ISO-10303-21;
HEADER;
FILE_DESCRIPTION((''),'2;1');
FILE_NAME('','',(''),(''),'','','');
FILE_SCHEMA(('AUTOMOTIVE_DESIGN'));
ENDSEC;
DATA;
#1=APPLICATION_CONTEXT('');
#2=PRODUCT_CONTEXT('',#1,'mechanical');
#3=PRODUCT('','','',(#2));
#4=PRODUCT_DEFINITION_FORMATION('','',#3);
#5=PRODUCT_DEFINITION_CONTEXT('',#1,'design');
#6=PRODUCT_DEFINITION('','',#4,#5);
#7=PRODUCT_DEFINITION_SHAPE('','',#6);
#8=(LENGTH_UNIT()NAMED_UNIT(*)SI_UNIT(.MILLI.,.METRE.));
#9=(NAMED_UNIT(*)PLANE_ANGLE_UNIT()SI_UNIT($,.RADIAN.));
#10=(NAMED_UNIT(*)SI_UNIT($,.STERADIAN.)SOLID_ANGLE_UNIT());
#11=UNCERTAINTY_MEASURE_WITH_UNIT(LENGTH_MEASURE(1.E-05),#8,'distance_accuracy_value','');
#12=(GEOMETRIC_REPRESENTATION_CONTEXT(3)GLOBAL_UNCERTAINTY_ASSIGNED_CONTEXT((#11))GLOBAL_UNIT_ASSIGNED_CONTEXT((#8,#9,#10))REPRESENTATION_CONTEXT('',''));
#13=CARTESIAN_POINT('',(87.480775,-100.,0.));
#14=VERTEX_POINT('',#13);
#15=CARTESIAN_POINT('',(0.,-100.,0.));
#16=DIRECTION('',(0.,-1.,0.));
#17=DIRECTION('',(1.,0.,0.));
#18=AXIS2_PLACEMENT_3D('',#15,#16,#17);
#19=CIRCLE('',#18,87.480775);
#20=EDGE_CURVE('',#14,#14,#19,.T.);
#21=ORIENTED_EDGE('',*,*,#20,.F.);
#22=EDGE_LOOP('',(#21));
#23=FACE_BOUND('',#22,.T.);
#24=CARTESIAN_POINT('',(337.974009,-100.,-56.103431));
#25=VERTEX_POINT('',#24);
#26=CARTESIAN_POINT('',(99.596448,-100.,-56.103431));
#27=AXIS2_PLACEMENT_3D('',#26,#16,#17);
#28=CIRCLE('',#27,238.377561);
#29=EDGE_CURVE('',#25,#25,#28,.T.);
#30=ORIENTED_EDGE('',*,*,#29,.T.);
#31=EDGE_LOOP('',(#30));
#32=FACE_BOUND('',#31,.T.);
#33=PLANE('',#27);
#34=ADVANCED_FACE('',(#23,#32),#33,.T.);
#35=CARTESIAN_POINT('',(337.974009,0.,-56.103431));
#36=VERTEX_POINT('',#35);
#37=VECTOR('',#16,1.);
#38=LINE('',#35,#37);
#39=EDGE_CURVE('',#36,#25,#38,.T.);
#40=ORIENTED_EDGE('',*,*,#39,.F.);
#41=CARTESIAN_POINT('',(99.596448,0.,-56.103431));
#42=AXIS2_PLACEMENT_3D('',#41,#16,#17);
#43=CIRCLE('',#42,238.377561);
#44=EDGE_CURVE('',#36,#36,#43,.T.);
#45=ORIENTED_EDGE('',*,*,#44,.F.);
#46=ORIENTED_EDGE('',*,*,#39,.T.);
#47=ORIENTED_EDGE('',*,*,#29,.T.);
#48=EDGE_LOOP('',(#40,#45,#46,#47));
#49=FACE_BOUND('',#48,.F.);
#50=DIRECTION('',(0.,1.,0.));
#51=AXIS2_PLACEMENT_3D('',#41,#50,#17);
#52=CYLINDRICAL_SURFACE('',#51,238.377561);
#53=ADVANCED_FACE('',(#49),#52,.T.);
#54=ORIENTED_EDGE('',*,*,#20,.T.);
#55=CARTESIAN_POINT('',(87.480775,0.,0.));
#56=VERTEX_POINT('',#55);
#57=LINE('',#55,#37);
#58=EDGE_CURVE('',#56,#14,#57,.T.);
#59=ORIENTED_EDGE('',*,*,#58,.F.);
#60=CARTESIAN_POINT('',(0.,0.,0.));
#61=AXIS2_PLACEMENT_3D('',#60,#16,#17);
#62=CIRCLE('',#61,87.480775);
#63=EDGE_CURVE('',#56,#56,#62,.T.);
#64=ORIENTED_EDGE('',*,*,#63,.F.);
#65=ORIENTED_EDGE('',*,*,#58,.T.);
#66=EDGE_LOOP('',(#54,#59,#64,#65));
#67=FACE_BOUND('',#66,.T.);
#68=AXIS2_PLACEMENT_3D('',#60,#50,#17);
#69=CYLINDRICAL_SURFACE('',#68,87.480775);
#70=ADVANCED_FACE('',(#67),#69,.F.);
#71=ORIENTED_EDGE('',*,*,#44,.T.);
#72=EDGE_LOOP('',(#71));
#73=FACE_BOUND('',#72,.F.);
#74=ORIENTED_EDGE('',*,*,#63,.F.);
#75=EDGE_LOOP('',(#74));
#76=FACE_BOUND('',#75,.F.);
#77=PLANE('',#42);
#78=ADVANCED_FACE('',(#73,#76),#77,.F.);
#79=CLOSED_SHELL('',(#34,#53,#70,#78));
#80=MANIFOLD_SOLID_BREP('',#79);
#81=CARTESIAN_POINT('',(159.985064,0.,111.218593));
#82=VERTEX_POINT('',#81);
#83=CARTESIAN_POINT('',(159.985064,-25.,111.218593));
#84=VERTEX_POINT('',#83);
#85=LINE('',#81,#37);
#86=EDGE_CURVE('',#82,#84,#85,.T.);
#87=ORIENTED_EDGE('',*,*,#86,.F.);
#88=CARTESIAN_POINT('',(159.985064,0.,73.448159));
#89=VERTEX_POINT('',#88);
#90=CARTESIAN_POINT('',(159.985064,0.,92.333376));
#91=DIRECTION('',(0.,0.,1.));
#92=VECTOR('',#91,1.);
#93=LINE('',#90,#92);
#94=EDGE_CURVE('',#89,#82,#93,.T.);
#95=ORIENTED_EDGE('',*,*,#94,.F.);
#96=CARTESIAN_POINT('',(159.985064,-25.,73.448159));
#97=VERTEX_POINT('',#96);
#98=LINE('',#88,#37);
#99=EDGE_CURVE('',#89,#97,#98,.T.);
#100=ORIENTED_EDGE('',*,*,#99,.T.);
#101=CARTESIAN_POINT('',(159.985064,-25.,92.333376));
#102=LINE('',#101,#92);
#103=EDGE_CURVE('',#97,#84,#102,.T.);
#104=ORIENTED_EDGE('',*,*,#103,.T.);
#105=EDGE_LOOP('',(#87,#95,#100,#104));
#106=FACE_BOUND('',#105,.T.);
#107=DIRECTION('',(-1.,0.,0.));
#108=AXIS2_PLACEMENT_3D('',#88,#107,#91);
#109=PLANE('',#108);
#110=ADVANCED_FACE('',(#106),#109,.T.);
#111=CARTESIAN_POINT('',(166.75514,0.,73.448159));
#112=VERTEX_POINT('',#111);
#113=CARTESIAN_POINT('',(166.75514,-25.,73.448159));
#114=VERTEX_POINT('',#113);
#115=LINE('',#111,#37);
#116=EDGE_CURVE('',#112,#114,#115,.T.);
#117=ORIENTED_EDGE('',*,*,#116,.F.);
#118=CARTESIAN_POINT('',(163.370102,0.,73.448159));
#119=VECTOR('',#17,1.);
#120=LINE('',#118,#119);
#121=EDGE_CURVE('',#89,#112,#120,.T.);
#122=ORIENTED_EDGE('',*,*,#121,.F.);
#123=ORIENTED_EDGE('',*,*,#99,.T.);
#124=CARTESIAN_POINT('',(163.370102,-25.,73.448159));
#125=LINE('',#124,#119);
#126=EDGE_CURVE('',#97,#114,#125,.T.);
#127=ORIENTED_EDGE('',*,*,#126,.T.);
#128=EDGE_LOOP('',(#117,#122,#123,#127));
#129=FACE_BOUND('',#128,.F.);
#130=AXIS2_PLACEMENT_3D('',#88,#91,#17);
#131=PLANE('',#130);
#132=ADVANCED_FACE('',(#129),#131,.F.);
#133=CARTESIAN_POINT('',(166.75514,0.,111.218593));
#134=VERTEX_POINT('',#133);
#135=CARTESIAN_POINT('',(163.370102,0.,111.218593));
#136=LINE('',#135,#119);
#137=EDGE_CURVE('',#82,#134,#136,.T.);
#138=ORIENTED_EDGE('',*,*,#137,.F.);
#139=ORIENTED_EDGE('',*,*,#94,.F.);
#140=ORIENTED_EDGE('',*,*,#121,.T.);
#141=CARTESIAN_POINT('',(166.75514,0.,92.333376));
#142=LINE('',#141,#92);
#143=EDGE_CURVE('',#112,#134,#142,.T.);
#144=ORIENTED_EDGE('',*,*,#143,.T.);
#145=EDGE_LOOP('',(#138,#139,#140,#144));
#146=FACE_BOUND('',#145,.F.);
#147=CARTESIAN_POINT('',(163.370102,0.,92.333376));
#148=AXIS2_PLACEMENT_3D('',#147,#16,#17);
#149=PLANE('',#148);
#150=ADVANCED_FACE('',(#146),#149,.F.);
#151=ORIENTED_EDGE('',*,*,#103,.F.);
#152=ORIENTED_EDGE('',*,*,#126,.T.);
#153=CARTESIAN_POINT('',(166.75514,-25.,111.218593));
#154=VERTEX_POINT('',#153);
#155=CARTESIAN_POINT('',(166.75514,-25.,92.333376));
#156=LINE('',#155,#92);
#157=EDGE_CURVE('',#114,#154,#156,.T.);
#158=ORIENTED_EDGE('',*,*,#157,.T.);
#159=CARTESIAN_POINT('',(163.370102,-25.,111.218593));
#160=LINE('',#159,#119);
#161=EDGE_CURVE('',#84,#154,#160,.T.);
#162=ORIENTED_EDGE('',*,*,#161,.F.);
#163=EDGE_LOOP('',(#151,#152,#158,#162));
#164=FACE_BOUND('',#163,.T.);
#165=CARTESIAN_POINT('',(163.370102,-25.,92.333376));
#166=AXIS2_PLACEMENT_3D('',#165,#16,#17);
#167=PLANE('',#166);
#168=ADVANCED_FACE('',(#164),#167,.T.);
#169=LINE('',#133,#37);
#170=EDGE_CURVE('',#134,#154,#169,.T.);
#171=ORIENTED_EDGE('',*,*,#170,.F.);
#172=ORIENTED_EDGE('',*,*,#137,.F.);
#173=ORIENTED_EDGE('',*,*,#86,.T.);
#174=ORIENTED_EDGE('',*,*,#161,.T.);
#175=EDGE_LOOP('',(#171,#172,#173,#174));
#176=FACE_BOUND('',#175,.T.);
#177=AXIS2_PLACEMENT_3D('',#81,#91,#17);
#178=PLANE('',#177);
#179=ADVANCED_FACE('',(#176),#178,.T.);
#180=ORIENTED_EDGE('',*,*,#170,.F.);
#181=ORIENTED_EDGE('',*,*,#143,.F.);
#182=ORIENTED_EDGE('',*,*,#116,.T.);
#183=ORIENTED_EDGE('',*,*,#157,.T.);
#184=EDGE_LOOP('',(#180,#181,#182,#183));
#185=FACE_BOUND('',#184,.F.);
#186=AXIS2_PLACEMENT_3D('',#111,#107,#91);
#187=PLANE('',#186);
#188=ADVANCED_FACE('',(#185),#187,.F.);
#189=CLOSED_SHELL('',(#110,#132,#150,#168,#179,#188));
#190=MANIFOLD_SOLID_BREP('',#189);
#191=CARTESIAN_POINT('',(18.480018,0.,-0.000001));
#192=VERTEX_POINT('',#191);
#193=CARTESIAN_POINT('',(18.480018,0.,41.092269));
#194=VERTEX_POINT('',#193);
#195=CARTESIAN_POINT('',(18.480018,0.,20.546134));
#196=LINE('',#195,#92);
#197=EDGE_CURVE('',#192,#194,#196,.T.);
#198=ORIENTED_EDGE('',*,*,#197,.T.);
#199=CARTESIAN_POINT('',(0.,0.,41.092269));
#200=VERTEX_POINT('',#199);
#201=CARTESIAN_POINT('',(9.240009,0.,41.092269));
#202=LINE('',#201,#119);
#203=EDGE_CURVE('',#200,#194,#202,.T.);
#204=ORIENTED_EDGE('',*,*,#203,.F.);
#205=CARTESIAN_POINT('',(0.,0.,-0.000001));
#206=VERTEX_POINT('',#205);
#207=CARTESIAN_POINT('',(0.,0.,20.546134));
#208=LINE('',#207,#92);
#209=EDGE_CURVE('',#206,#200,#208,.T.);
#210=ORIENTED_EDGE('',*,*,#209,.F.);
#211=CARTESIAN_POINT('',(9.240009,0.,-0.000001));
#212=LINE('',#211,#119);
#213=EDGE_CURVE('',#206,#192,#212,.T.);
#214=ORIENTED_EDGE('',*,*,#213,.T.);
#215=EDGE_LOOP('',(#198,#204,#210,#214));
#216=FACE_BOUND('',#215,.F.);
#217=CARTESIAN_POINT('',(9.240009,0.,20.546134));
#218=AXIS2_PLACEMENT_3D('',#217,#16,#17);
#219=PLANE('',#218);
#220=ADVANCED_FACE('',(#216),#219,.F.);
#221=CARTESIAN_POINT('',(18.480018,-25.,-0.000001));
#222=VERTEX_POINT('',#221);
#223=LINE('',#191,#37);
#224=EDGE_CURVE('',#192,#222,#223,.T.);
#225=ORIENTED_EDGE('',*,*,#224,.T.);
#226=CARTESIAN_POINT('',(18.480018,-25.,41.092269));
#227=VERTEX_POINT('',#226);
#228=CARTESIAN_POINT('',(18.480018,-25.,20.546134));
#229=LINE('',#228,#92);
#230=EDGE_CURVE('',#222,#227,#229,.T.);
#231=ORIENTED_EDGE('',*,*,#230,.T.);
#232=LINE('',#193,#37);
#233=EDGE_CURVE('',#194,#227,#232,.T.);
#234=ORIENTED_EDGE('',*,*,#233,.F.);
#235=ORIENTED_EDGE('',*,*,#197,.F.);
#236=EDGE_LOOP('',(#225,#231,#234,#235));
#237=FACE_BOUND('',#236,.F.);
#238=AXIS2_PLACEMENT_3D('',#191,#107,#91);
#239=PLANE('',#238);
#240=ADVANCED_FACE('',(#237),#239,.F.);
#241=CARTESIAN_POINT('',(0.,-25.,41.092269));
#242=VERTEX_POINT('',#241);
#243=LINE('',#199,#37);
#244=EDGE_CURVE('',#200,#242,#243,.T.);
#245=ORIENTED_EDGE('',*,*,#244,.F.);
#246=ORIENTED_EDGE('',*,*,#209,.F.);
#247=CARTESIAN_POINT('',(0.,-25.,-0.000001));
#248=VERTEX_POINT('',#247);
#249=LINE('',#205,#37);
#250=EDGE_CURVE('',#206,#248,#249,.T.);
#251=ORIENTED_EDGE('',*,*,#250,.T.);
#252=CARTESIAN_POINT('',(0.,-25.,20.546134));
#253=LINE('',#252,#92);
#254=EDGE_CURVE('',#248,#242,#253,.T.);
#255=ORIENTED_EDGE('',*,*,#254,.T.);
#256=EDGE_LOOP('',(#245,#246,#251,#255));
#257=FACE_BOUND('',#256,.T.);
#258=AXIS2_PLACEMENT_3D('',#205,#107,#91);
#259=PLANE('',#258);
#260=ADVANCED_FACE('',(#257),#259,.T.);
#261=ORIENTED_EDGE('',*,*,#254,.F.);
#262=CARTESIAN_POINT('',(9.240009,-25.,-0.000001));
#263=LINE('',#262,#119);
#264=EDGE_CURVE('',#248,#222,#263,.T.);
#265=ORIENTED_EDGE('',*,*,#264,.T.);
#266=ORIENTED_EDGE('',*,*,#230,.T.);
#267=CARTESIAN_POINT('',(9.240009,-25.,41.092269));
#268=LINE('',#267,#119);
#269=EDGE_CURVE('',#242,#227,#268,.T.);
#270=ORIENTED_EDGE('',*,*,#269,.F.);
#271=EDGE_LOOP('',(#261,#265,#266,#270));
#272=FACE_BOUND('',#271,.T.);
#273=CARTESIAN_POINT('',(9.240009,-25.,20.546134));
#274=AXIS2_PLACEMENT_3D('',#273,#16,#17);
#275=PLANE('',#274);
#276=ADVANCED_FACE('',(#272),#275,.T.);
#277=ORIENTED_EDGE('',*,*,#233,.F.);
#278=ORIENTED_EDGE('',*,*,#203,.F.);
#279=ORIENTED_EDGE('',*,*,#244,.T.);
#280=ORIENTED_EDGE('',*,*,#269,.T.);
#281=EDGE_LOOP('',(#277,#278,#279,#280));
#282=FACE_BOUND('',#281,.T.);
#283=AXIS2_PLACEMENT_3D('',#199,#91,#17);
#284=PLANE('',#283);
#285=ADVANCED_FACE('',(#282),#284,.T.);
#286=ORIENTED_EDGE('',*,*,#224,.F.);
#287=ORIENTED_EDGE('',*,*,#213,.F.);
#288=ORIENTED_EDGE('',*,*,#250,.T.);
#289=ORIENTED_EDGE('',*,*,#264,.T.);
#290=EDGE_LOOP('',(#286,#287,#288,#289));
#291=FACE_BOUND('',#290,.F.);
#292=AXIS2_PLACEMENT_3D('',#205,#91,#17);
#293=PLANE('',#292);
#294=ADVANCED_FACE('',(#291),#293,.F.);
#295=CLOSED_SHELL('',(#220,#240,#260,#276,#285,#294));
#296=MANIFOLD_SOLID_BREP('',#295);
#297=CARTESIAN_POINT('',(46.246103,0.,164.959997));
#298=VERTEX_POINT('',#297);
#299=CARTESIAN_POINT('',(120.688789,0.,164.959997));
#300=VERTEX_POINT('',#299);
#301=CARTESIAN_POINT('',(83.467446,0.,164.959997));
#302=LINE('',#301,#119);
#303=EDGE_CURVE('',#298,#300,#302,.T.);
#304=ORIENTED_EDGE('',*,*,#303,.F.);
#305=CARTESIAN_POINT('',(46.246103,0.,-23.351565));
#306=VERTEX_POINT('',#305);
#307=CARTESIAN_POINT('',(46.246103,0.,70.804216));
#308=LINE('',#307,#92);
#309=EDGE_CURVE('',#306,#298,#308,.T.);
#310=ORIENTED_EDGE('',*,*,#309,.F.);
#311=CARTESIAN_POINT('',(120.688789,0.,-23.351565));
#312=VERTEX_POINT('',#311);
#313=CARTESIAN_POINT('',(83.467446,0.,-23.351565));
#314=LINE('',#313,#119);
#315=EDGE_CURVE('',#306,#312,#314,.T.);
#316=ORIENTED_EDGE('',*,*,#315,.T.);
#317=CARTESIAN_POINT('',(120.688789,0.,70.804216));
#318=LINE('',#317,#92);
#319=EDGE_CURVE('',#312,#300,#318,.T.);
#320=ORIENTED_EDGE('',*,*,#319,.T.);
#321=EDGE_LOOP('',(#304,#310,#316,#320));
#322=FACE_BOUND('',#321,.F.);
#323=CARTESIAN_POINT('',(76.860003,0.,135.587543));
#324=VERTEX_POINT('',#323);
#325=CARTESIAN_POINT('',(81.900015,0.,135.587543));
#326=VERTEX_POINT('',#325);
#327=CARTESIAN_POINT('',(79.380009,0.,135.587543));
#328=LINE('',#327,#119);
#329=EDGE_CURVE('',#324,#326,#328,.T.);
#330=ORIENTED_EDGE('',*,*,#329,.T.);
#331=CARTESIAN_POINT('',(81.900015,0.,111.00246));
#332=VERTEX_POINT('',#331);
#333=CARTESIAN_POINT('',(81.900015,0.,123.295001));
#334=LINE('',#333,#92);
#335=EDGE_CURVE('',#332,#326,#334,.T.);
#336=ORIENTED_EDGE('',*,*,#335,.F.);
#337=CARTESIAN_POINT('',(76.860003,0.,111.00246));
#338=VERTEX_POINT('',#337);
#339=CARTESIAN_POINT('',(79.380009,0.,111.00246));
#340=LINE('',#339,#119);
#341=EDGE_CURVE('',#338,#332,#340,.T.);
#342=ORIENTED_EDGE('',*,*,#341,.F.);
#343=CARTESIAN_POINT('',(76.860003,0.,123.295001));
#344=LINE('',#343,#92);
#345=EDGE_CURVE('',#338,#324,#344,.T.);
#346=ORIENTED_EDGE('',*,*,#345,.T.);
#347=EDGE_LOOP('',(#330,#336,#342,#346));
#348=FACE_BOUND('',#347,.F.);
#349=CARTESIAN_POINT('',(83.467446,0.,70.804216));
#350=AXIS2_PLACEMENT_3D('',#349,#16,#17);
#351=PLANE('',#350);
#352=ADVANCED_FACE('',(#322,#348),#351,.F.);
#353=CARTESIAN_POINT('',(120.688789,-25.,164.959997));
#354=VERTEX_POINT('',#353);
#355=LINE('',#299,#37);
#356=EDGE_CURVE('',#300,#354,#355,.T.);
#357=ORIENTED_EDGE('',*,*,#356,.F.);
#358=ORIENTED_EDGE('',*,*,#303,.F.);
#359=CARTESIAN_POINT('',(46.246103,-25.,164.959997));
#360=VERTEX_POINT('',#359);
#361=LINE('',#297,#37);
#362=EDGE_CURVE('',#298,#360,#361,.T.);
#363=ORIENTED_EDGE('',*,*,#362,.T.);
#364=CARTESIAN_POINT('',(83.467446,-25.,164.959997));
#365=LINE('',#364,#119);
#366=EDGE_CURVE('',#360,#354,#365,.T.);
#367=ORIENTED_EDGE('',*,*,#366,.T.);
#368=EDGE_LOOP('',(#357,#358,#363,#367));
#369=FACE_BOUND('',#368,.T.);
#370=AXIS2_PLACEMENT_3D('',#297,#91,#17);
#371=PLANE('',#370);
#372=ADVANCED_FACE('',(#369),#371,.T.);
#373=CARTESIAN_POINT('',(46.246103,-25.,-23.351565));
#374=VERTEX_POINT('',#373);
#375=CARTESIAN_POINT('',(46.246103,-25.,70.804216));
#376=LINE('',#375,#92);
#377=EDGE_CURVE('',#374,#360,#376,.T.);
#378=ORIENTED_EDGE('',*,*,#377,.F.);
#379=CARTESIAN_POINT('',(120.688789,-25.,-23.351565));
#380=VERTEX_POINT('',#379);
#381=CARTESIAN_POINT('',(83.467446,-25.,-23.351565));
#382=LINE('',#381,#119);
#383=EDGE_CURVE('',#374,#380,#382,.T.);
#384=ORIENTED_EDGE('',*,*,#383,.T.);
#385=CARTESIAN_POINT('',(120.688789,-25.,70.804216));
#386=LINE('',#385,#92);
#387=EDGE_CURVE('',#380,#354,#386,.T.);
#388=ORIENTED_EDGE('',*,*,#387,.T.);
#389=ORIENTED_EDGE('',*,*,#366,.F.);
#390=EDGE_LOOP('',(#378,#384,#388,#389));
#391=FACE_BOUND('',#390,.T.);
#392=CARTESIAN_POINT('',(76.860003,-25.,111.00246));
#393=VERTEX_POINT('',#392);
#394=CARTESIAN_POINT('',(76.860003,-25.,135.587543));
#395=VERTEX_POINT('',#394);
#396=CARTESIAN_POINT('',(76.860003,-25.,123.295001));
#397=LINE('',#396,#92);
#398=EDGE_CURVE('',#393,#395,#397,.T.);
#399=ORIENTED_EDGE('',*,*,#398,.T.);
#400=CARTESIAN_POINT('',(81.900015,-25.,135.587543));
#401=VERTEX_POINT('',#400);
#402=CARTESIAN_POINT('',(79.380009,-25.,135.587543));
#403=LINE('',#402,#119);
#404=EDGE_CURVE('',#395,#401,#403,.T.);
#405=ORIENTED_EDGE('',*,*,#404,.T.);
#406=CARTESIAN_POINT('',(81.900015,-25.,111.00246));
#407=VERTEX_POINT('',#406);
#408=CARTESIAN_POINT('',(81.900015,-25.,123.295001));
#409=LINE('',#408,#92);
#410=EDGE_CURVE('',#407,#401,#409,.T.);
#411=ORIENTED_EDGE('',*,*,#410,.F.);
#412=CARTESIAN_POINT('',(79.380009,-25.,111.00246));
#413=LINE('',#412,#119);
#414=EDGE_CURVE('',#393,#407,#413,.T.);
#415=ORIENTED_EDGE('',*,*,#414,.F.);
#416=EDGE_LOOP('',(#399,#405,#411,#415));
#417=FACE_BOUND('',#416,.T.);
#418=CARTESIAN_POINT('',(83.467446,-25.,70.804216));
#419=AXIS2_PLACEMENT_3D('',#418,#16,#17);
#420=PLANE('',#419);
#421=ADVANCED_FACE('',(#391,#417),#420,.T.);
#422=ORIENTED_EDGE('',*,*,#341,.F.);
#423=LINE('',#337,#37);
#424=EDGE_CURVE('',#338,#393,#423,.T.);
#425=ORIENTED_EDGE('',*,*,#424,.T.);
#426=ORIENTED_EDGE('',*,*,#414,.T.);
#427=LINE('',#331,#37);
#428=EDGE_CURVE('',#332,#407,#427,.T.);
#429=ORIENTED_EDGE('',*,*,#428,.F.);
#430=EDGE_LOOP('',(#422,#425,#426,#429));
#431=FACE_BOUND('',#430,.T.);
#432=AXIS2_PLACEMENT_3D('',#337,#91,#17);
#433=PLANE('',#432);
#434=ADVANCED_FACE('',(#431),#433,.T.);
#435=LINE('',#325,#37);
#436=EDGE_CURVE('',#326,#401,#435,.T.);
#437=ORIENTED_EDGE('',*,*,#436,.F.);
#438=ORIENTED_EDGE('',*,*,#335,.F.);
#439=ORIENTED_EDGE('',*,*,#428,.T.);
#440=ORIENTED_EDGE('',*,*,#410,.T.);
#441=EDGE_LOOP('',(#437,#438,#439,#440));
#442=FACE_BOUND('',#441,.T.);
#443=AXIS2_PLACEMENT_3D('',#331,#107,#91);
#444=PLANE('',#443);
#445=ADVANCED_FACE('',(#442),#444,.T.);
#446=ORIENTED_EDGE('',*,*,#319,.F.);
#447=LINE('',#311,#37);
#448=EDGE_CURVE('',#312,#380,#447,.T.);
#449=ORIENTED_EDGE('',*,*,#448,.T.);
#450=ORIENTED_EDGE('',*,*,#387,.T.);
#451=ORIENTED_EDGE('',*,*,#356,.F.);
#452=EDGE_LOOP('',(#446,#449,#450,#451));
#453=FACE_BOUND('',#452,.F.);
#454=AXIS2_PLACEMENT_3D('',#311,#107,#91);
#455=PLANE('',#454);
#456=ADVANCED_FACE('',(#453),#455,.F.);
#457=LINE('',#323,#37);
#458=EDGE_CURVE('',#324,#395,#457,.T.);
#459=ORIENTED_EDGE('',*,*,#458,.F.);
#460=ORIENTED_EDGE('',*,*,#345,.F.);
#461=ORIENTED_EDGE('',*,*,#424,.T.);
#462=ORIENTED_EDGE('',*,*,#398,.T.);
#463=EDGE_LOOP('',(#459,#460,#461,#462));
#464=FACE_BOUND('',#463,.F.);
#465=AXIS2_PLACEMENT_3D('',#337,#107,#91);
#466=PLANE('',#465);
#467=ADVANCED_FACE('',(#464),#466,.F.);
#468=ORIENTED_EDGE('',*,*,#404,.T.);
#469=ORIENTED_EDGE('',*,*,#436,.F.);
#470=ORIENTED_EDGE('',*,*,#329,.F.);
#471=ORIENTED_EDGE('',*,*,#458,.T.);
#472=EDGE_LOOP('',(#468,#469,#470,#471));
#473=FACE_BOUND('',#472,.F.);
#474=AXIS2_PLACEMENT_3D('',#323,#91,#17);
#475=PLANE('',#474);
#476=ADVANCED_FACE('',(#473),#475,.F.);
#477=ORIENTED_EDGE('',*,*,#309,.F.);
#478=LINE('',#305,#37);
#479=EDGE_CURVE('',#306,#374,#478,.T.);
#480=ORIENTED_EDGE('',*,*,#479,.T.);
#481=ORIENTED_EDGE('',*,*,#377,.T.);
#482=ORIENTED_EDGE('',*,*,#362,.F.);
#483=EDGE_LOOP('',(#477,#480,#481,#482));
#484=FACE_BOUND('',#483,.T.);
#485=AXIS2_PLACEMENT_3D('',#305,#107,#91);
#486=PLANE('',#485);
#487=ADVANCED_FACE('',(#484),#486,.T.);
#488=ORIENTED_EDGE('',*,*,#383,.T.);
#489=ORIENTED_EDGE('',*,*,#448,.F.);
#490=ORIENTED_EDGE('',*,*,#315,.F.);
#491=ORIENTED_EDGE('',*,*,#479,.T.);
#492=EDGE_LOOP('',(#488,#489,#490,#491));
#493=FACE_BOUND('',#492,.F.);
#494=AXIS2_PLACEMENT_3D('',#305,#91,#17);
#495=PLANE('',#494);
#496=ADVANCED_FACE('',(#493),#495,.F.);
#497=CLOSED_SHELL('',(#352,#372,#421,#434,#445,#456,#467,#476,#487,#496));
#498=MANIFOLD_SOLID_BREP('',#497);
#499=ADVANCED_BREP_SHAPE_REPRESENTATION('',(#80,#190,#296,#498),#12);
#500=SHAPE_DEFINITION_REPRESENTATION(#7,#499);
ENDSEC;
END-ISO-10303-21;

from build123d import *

# Parameters (mm, degrees)
F0_W     = 18.480018
F0_H     = 41.092269
F0_W_2   = 74.442685
F0_H_2   = 188.311562
F0_W_3   = 5.040012
F0_H_3   = 24.585083
F0_W_4   = 6.770075
F0_H_4   = 37.770435
F1_DEPTH = 25
F2_R     = 238.377561
F2_R_2   = 87.480775
F3_DEPTH = 100


with BuildPart() as f1:
    # F0 (on Front) → F1 (new body)
    with BuildSketch(Plane.XZ):
        with Locations((9.240009, 20.546134)):
            Rectangle(F0_W, F0_H)
        with Locations((83.467446, 70.804216)):
            Rectangle(F0_W_2, F0_H_2)
        with Locations((79.380009, 123.295001)):
            Rectangle(F0_W_3, F0_H_3, mode=Mode.SUBTRACT)
        with Locations((163.370102, 92.333376)):
            Rectangle(F0_W_4, F0_H_4)
    extrude(amount=F1_DEPTH)


with BuildPart() as f3:
    # F2 (on Front) → F3 (new body)
    with BuildSketch(Plane.XZ):
        with Locations((99.596448, -56.103431)):
            Circle(F2_R)
        Circle(F2_R_2, mode=Mode.SUBTRACT)
    extrude(amount=F3_DEPTH)


solid = Compound([f1.part, f3.part])
